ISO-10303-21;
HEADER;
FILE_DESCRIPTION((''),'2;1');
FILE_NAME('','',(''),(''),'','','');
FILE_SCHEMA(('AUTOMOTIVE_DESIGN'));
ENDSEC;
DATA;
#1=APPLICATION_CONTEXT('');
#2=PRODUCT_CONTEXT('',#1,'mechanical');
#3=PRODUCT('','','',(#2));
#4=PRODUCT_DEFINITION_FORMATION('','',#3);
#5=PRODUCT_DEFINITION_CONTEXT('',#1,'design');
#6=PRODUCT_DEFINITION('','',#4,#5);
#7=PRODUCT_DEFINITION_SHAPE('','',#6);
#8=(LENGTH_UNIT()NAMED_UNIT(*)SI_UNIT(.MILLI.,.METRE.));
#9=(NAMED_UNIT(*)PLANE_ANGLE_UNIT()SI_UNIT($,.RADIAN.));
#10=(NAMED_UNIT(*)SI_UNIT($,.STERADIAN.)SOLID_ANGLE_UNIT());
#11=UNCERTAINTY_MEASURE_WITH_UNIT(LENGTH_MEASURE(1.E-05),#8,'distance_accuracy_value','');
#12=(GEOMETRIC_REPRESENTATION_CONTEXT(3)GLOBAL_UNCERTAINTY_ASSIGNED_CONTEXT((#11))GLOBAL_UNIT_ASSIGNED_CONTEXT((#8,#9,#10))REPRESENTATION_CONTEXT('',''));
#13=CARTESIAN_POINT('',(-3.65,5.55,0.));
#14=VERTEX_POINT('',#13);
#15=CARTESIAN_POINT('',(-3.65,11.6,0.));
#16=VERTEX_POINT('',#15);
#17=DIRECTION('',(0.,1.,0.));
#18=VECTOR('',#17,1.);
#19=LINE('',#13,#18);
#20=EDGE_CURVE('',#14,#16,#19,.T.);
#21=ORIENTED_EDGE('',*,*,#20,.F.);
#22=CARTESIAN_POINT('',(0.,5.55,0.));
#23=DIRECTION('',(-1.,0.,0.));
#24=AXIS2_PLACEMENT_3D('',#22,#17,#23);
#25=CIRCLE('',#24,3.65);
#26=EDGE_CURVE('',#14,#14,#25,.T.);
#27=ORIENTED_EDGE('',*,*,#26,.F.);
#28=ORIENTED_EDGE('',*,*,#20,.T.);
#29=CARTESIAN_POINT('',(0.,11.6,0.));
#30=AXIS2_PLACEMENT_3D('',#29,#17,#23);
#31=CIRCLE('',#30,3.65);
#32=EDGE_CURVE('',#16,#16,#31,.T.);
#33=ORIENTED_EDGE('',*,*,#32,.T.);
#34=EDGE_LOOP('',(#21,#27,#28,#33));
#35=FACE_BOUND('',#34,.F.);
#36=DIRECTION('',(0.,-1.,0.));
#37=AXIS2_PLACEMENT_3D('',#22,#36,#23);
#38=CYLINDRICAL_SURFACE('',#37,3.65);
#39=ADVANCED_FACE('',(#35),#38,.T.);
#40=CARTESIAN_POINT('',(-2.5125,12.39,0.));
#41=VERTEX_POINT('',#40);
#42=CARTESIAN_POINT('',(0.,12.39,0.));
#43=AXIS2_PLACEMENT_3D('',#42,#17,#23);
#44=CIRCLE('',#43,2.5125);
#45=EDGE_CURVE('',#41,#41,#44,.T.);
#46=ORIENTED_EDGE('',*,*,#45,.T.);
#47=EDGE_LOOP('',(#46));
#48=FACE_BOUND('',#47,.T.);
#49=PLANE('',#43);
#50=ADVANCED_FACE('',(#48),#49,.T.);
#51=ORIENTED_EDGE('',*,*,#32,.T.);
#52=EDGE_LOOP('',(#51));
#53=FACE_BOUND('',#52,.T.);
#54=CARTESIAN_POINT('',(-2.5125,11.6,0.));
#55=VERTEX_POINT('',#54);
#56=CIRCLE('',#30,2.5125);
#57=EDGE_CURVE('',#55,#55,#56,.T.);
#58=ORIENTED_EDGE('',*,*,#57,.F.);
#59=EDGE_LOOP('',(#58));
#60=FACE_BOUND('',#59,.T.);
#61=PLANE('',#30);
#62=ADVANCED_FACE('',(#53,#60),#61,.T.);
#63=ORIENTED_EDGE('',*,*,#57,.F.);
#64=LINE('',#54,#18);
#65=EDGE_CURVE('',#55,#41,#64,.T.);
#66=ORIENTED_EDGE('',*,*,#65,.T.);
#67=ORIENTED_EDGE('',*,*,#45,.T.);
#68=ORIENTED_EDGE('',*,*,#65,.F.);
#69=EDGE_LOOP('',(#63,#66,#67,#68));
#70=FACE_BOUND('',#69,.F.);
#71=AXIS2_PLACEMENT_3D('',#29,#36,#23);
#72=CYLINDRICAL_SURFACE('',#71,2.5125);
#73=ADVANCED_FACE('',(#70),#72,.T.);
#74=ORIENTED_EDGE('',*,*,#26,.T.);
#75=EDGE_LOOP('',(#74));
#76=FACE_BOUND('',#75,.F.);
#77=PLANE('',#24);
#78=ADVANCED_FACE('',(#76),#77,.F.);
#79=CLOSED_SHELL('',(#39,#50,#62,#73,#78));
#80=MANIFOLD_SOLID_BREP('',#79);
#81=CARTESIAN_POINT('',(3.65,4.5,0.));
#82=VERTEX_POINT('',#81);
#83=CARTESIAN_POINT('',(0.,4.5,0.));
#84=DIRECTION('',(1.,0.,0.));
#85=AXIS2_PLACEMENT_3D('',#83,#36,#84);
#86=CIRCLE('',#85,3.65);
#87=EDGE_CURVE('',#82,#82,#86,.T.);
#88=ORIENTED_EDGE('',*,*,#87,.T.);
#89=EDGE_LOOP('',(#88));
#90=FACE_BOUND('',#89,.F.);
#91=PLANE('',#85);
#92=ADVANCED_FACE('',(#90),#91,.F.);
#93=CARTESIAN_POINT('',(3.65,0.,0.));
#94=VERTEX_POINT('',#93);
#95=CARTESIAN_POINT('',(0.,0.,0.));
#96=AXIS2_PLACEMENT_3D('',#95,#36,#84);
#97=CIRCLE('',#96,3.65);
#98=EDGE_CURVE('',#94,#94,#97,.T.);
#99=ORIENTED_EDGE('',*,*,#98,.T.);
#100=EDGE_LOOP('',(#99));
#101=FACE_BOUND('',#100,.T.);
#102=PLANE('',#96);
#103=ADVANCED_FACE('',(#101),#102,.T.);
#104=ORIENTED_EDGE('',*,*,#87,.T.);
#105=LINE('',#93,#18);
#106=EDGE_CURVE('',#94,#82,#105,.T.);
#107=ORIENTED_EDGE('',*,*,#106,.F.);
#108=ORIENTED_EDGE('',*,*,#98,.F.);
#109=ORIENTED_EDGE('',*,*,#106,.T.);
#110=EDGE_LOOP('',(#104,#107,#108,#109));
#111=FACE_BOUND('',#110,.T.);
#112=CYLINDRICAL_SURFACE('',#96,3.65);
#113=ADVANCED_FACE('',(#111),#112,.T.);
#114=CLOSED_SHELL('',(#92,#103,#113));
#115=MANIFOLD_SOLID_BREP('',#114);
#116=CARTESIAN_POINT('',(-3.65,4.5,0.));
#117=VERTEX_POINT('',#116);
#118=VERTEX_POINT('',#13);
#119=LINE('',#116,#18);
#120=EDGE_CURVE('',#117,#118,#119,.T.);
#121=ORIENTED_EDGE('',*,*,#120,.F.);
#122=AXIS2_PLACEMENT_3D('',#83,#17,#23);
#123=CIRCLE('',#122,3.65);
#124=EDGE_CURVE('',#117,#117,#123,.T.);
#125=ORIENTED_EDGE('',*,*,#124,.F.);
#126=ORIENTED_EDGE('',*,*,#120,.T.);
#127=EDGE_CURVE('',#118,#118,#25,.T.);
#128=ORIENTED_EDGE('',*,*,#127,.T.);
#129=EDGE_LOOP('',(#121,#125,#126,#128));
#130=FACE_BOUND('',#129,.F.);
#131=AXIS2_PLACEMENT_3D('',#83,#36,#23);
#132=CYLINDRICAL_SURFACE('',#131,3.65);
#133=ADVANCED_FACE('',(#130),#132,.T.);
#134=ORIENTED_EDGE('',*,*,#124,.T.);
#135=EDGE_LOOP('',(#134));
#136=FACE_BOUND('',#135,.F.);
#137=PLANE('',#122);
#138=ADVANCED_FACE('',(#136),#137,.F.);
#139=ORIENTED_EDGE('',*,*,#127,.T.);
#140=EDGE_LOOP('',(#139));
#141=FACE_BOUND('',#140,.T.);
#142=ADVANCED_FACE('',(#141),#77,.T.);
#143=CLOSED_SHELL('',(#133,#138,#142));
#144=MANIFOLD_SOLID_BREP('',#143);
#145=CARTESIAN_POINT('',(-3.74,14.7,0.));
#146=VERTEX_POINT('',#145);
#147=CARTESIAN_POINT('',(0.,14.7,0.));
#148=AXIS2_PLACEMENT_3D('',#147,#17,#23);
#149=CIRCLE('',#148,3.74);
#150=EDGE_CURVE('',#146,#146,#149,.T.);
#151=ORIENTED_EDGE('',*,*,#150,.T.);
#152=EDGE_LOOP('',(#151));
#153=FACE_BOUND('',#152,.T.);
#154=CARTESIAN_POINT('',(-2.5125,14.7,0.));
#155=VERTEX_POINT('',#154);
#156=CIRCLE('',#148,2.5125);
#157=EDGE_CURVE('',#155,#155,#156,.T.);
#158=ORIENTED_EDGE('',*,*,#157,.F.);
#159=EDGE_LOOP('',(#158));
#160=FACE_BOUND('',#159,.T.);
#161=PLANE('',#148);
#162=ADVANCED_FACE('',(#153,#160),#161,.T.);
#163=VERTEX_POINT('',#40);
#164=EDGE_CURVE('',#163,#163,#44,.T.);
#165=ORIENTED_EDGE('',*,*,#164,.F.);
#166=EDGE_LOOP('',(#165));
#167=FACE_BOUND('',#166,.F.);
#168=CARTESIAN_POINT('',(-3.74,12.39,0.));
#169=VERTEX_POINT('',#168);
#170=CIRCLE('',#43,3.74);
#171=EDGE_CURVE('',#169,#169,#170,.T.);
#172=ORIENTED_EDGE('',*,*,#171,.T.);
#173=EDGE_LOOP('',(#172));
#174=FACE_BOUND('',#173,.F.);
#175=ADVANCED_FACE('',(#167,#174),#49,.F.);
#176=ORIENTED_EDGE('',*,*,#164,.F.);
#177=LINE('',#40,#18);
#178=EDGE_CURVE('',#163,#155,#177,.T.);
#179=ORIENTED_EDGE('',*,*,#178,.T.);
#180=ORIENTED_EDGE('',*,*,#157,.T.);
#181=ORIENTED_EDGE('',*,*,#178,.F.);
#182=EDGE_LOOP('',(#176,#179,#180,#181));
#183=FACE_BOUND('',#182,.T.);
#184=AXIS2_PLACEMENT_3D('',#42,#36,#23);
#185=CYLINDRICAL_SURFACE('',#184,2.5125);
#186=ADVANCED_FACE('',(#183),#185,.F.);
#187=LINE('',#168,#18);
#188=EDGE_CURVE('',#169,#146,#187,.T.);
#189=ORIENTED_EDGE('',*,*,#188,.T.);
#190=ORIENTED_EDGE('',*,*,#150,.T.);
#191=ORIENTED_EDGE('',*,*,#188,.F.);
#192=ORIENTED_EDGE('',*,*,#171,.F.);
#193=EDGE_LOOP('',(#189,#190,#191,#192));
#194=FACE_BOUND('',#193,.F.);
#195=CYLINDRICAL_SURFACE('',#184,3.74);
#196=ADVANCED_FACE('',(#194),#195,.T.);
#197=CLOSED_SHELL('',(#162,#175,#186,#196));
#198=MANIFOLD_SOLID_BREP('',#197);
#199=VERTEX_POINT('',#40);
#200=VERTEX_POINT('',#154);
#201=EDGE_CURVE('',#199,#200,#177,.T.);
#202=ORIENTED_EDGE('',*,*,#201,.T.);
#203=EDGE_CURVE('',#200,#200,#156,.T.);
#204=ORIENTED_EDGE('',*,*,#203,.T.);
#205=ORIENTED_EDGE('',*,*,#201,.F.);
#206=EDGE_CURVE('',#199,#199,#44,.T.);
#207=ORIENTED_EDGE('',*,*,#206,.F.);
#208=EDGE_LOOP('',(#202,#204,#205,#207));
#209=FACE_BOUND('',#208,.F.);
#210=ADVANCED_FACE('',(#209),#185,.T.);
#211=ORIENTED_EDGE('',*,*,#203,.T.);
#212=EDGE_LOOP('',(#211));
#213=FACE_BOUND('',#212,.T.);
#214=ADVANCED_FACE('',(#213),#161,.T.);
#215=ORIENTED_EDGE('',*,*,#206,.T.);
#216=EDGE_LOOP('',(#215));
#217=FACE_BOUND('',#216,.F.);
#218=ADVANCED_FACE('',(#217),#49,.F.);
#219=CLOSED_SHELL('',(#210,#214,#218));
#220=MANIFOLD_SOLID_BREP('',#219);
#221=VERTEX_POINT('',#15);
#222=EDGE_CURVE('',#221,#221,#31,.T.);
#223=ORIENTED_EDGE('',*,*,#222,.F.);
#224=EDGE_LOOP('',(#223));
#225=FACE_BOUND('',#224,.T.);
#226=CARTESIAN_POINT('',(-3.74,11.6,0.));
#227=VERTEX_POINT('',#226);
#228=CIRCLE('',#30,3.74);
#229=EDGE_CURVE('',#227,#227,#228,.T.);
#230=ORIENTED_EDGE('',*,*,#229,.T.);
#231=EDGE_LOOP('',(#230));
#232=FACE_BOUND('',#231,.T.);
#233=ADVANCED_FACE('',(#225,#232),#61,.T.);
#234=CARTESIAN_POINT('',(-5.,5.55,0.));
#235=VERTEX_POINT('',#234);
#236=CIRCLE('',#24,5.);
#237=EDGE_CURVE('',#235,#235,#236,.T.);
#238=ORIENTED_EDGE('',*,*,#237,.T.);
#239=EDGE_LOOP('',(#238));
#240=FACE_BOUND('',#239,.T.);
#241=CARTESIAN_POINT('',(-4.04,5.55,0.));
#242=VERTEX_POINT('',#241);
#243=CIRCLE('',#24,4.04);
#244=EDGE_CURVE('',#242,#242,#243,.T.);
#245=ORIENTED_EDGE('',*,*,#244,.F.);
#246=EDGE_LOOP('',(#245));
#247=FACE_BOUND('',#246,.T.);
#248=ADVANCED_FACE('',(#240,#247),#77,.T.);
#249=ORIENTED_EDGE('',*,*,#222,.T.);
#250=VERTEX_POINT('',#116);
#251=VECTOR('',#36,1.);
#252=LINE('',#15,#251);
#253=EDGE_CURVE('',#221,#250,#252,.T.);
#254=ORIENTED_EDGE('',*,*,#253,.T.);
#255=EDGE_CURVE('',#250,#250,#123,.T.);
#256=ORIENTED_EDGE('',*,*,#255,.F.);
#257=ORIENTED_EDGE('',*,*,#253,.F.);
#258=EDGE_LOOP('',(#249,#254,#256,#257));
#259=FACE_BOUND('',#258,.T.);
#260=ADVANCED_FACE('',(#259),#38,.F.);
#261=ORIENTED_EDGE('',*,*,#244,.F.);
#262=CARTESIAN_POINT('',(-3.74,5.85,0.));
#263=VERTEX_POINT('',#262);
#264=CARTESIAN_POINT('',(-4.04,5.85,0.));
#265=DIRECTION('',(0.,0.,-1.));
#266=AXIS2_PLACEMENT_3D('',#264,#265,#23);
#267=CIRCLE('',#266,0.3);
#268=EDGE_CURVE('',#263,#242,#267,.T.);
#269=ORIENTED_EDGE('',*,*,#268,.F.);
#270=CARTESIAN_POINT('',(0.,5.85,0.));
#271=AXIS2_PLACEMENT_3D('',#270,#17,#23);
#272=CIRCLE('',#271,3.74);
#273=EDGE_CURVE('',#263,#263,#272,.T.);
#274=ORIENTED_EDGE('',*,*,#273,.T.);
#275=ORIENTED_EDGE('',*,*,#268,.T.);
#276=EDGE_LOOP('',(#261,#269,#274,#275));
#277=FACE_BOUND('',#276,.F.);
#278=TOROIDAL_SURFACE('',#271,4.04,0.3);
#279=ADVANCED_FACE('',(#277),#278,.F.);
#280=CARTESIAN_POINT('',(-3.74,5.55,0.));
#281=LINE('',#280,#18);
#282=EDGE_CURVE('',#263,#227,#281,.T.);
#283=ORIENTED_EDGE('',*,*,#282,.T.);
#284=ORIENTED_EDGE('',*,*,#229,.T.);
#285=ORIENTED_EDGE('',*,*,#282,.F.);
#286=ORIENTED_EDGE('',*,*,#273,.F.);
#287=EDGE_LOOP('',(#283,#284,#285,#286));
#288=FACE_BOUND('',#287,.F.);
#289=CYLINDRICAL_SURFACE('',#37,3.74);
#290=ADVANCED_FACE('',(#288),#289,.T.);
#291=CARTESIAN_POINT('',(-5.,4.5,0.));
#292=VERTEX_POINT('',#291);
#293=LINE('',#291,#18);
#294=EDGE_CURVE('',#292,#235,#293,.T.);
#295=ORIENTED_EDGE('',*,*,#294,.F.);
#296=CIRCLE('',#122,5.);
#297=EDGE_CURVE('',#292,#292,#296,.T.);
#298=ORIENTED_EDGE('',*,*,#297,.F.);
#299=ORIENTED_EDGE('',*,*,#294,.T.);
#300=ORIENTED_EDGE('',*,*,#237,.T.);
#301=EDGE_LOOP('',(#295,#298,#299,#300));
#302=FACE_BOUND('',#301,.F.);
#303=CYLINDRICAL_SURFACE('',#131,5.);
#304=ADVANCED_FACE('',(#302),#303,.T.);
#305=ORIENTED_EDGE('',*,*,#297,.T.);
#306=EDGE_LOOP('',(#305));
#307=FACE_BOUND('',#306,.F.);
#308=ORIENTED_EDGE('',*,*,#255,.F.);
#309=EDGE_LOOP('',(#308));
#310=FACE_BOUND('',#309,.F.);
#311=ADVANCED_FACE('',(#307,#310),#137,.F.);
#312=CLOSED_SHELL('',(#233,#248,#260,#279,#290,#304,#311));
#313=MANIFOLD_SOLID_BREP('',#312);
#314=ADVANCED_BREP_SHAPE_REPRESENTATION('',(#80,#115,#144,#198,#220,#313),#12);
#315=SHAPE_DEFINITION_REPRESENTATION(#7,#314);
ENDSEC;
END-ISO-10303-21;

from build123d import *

# Parameters (mm, degrees)
F0_R      = 3.65
F1_DEPTH  = 4.5
F2_R      = 5
F2_R_2    = 3.65
F3_DEPTH  = 1.05
F4_R      = 3.65
F5_DEPTH  = 1.05
F6_R      = 3.74
F6_R_2    = 3.65
F7_DEPTH  = 6.05
F8_DEPTH  = 6.05
F9_R      = 2.5125
F10_DEPTH = 0.79
F11_R     = 3.74
F11_R_2   = 2.5125
F12_DEPTH = 2.31
F13_R     = 2.5125
F14_DEPTH = 2.31
F15_R     = 0.3


with BuildPart() as f1:
    # F0 (on Front) → F1 (new body)
    with BuildSketch(Plane.XZ):
        Circle(F0_R)
    extrude(amount=-F1_DEPTH)


with BuildPart() as f3:
    # F2 (on face) → F3 (new body)
    with BuildSketch(Plane(origin=(0, 4.5, 0), x_dir=(-1, 0, 0), z_dir=(0, 1, 0))):
        Circle(F2_R)
        Circle(F2_R_2, mode=Mode.SUBTRACT)
    extrude(amount=F3_DEPTH)

    # F6 (on face) → F7 (join)
    with BuildSketch(Plane(origin=(0, 5.55, 0), x_dir=(-1, 0, 0), z_dir=(0, 1, 0))):
        Circle(F6_R)
        Circle(F6_R_2, mode=Mode.SUBTRACT)
    extrude(amount=F7_DEPTH)

    # F15
    f15_edges = [f3.edges().sort_by_distance(p)[0] for p in [
        (3.74, 5.55, 0),
    ]]
    fillet(f15_edges, radius=F15_R)


with BuildPart() as f5:
    # F4 (on face) → F5 (new body)
    with BuildSketch(Plane(origin=(0, 4.5, 0), x_dir=(-1, 0, 0), z_dir=(0, 1, 0))):
        Circle(F4_R)
    extrude(amount=F5_DEPTH)


with BuildPart() as f8:
    # F8 (new): a face of the model
    f8_faces = [f5.part.faces().sort_by_distance(p)[0] for p in [
        (0, 5.55, 0),
    ]]
    extrude(f8_faces, amount=F8_DEPTH)

    # F9 (on face) → F10 (join)
    with BuildSketch(Plane(origin=(0, 11.6, 0), x_dir=(-1, 0, 0), z_dir=(0, 1, 0))):
        Circle(F9_R)
    extrude(amount=F10_DEPTH)


with BuildPart() as f12:
    # F11 (on face) → F12 (new body)
    with BuildSketch(Plane(origin=(0, 12.39, 0), x_dir=(-1, 0, 0), z_dir=(0, 1, 0))):
        Circle(F11_R)
        Circle(F11_R_2, mode=Mode.SUBTRACT)
    extrude(amount=F12_DEPTH)


with BuildPart() as f14:
    # F13 (on face) → F14 (new body)
    with BuildSketch(Plane(origin=(0, 12.39, 0), x_dir=(-1, 0, 0), z_dir=(0, 1, 0))):
        Circle(F13_R)
    extrude(amount=F14_DEPTH)


solid = Compound([f1.part, f3.part, f5.part, f8.part, f12.part, f14.part])
